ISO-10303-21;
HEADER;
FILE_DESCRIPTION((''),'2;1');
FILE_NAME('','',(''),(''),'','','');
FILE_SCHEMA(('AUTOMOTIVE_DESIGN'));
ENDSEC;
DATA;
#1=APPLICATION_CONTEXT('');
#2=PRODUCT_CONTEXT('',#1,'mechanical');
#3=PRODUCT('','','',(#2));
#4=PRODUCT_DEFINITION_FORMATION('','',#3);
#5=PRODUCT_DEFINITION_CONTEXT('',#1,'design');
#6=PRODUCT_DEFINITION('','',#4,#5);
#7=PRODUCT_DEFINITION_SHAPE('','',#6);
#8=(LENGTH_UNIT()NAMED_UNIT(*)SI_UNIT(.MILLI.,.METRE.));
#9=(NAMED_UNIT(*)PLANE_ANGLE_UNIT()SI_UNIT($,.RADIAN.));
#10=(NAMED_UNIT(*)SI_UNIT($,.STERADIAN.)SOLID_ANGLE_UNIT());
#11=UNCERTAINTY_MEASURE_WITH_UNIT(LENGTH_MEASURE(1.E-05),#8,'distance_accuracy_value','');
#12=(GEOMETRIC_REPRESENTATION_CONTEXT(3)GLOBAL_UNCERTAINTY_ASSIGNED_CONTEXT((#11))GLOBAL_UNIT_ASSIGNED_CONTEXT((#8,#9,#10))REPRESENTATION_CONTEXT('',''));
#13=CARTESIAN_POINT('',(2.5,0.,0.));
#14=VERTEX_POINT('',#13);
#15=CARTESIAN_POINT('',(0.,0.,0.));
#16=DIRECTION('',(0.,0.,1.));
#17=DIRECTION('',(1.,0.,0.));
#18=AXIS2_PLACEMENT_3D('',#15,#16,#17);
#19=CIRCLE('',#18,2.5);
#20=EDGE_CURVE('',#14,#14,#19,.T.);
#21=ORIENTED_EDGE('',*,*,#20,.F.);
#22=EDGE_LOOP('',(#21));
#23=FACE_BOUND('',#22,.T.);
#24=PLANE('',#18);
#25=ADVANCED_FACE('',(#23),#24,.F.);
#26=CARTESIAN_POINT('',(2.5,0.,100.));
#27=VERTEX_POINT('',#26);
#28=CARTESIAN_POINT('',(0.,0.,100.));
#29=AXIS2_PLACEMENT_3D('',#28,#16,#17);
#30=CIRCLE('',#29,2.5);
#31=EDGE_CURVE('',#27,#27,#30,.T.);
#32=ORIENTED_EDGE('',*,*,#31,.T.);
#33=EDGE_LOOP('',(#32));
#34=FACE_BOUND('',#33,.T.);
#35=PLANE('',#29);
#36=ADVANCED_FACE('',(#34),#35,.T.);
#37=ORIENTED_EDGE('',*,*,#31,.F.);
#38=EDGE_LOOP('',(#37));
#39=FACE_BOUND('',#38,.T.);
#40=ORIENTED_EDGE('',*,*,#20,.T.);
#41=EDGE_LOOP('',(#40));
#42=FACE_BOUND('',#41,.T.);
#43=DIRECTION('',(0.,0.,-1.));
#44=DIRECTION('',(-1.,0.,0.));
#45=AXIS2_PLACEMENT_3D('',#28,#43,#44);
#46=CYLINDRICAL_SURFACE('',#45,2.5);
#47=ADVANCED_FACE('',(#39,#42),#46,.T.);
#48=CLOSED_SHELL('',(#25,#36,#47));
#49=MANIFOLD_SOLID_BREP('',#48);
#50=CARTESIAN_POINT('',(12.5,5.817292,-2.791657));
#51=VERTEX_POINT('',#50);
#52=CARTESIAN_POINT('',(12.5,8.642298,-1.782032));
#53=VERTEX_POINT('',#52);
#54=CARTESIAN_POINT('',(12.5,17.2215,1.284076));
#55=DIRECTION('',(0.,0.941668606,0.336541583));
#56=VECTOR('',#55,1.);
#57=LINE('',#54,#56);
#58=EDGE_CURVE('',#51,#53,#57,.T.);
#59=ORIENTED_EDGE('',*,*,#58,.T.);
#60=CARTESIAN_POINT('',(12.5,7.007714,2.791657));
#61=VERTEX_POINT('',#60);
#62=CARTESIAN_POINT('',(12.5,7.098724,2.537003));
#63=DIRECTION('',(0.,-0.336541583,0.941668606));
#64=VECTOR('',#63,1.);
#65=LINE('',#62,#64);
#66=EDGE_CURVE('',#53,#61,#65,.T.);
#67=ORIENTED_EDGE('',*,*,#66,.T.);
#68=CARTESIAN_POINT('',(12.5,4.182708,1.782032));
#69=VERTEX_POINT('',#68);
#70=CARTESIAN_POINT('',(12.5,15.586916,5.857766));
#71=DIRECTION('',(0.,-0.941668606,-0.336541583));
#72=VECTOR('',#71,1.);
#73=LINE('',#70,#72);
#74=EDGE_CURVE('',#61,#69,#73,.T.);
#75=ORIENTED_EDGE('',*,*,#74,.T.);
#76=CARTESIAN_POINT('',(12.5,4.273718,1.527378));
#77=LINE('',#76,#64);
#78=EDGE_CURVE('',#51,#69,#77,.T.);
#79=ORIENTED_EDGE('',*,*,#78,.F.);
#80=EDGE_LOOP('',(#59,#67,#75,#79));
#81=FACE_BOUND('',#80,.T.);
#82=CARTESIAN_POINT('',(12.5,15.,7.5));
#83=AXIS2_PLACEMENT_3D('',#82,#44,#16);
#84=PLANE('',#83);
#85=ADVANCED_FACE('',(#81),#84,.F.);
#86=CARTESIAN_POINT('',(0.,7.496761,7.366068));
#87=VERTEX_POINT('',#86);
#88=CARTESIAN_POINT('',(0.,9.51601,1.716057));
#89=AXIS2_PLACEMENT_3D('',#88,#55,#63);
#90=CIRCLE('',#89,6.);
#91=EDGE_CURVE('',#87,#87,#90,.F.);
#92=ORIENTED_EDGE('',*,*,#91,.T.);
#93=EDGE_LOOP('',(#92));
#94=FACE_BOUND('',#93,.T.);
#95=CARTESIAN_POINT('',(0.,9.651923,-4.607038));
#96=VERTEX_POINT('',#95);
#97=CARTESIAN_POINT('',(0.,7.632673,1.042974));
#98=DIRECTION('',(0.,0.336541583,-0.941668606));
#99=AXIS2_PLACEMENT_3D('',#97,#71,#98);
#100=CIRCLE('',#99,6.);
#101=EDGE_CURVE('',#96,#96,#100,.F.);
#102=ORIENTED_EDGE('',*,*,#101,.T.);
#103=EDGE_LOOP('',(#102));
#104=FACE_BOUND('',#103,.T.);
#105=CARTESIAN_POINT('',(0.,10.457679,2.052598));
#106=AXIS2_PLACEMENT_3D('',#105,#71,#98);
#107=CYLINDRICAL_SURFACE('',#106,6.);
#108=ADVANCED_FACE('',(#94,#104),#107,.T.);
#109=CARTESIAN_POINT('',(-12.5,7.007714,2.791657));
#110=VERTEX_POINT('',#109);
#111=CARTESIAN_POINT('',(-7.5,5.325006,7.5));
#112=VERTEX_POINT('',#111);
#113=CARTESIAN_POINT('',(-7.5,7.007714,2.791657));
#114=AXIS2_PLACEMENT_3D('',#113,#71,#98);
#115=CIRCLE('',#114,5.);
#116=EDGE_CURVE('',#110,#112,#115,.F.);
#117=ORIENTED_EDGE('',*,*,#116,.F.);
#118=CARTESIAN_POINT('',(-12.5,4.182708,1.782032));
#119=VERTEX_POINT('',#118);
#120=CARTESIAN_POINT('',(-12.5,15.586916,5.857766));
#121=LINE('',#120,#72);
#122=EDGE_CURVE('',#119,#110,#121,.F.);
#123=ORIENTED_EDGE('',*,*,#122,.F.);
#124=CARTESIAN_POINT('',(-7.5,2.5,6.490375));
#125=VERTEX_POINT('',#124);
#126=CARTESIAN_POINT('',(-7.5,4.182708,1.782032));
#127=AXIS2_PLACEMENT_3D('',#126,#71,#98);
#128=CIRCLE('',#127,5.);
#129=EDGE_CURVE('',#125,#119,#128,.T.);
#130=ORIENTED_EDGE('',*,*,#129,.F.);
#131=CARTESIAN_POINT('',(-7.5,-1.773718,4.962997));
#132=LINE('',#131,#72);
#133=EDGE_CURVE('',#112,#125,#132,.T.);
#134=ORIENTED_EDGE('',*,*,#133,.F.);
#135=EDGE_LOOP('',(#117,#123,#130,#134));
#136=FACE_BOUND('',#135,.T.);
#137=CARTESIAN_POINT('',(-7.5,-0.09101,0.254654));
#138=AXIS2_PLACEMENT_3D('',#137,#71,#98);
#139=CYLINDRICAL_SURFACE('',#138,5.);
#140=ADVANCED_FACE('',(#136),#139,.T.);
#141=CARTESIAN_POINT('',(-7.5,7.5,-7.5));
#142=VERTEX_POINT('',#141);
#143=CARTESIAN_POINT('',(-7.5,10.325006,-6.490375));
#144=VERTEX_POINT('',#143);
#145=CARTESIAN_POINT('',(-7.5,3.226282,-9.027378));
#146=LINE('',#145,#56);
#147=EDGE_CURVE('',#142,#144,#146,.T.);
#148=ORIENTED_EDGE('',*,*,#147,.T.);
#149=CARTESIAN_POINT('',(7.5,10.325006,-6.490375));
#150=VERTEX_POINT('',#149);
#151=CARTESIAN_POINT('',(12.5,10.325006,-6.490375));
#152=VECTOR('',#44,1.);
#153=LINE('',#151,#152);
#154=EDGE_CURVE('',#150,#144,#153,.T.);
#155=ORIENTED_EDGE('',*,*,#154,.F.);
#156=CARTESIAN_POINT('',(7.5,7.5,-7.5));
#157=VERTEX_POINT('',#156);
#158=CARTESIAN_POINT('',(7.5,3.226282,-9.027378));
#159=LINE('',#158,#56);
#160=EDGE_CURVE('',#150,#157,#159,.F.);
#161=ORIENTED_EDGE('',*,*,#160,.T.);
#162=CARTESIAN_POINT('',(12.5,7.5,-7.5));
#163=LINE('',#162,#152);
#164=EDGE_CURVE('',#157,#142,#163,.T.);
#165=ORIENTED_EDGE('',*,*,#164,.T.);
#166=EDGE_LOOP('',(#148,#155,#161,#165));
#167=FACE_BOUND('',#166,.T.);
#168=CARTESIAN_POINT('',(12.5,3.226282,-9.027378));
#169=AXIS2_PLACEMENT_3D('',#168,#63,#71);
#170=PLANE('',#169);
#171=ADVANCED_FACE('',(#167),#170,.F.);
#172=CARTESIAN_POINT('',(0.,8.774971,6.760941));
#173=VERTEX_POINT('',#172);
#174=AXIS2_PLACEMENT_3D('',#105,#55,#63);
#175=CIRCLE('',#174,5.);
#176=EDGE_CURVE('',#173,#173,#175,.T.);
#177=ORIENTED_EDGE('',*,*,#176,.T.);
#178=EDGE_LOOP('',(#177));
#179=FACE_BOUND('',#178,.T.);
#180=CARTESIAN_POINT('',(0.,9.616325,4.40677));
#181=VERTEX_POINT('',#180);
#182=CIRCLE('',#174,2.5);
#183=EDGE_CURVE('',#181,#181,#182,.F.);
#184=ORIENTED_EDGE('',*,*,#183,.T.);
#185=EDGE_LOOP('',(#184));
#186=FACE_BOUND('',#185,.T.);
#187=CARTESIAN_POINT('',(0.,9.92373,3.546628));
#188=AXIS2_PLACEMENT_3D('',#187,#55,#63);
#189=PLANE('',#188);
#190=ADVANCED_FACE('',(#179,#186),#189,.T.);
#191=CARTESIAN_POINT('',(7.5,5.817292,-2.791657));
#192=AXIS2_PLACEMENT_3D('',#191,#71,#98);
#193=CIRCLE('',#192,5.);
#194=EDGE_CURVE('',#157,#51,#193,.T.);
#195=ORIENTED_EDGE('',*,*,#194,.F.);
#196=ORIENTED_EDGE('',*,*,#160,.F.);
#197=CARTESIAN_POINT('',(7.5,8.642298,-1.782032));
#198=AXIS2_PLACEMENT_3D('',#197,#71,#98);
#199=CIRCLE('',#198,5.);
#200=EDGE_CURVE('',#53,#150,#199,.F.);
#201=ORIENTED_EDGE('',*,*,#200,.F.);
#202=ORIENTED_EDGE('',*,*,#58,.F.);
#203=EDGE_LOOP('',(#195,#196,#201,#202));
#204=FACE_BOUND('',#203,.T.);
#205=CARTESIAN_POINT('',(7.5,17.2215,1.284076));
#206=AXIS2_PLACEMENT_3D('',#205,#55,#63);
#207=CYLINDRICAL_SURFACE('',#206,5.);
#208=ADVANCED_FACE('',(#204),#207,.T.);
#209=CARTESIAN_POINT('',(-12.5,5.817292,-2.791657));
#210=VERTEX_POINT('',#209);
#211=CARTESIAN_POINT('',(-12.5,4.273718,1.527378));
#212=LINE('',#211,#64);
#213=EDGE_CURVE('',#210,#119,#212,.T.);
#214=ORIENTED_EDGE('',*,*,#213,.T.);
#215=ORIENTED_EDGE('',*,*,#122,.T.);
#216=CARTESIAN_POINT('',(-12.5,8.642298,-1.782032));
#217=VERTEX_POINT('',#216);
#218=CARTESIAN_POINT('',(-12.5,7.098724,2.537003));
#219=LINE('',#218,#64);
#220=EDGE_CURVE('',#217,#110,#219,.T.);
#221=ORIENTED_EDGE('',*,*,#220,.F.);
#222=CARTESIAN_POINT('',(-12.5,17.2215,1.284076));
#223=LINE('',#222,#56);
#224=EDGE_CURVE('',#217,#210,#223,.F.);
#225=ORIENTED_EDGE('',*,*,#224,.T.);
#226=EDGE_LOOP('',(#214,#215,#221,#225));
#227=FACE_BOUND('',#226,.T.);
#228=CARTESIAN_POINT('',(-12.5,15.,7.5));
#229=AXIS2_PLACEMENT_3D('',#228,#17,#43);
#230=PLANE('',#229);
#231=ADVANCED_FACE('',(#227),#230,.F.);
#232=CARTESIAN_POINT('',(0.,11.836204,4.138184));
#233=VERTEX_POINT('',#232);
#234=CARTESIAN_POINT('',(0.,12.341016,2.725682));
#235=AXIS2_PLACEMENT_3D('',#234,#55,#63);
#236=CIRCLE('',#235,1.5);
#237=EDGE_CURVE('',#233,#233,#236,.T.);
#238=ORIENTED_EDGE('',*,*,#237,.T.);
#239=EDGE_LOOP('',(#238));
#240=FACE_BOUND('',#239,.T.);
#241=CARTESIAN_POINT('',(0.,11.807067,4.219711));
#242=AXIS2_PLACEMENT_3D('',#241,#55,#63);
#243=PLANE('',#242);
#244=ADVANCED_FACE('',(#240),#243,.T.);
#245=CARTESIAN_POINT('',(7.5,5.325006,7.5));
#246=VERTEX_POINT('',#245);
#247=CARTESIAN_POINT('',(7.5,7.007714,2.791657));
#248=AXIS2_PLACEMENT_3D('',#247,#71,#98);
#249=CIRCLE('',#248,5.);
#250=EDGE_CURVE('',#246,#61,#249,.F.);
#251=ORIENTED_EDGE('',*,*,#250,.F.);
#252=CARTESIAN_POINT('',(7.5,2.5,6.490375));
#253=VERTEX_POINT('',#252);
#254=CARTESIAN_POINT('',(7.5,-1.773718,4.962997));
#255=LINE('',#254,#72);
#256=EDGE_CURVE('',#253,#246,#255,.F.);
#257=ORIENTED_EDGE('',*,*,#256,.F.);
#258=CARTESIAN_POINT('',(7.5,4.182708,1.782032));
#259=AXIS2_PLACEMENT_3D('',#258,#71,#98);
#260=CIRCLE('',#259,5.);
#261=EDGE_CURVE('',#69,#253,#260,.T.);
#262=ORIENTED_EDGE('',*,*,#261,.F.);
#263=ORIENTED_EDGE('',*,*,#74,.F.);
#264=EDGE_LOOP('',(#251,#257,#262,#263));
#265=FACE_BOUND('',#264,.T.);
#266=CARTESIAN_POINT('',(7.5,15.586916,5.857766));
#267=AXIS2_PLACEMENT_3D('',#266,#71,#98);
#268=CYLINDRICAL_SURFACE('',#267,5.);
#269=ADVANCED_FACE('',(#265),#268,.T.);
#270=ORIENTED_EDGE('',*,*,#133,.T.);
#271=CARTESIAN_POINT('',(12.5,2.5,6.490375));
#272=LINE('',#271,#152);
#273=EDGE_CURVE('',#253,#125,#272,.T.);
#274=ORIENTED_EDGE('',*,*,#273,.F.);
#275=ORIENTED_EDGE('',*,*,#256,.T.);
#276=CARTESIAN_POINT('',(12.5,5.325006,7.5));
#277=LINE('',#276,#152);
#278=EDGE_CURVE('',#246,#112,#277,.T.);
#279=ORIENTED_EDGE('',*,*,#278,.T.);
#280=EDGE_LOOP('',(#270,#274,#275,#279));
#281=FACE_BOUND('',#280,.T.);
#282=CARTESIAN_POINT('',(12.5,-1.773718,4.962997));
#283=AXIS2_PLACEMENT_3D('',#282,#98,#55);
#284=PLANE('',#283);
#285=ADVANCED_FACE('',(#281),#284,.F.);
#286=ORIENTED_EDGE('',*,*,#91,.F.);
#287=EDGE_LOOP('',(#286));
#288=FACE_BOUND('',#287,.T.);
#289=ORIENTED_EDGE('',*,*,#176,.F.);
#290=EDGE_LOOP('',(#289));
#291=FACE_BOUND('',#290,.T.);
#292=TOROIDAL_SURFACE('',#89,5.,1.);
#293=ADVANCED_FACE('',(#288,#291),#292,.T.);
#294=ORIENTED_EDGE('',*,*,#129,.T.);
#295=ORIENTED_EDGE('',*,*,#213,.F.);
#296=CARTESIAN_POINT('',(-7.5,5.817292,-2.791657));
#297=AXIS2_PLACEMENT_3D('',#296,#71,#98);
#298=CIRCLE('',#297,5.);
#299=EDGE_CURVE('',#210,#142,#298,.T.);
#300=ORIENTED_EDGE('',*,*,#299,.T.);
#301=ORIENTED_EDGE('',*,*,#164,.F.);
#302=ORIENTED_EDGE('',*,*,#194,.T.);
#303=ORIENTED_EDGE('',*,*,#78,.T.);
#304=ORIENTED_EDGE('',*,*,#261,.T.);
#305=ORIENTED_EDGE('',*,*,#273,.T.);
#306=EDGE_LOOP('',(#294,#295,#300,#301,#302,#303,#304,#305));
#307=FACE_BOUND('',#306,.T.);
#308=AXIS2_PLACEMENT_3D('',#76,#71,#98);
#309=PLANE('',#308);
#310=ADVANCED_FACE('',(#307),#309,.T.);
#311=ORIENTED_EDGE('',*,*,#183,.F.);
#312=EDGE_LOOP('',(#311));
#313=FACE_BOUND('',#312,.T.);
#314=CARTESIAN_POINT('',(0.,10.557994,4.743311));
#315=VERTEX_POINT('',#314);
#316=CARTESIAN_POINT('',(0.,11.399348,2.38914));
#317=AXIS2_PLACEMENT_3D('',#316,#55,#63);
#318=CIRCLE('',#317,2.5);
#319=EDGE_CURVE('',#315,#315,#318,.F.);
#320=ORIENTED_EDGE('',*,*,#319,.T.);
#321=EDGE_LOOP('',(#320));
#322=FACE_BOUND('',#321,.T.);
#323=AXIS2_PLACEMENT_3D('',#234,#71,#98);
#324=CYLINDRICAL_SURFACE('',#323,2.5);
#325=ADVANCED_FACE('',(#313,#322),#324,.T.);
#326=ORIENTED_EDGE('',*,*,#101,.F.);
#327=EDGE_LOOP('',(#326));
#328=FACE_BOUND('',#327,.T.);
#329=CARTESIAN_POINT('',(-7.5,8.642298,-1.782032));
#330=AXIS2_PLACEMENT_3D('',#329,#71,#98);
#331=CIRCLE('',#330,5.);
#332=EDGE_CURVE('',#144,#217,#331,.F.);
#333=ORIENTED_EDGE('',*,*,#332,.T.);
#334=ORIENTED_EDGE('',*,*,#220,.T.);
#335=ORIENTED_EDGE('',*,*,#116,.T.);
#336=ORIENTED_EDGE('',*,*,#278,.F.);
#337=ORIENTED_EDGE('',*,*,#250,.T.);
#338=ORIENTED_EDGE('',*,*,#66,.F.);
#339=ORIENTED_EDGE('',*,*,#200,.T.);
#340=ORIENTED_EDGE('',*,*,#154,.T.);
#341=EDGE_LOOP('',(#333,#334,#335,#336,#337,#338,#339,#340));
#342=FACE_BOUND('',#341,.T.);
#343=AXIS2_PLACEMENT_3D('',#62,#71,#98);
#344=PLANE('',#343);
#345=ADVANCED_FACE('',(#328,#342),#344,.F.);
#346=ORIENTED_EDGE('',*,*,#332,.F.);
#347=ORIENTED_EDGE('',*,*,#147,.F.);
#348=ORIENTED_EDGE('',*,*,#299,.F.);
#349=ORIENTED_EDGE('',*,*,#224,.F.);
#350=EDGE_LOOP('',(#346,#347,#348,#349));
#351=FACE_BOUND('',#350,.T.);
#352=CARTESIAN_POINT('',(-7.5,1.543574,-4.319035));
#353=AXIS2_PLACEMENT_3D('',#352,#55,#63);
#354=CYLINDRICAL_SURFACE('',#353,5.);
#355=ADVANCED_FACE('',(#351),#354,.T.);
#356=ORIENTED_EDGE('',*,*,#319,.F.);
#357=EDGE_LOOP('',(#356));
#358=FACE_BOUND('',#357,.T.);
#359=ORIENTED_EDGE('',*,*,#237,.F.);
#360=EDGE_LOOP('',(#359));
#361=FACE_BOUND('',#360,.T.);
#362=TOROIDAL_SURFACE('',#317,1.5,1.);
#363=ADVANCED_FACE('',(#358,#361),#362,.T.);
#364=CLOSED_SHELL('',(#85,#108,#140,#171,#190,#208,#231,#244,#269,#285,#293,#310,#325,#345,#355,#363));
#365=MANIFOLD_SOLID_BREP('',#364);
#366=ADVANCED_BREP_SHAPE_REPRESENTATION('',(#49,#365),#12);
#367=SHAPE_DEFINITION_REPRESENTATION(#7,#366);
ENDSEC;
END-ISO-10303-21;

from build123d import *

# Parameters (mm, degrees)
SKETCH_1_R          = 2.5
EXTRUDE_1_DEPTH     = 100
SKETCH_2_W          = 25
SKETCH_2_H          = 15
EXTRUDE_2_DEPTH     = 15
CUT_EXTRUDE_1_DEPTH = 105.16333328
CUT_EXTRUDE_3_DEPTH = 104.593463815
SKETCH_1_2_R        = 2.5
EXTRUDE_3_DEPTH     = 20
SKETCH_5_R          = 6
EXTRUDE_4_DEPTH     = 3
SKETCH_5_3_R        = 2.5
EXTRUDE_5_DEPTH     = 5
FILLET_1_R          = 5
FILLET_2_R          = 1
FILLET_3_R          = 1


with BuildPart() as part:
    # 草图1 → 凸台-拉伸1 (new body)
    with BuildSketch(Plane.XY):
        Circle(SKETCH_1_R)
    extrude(amount=EXTRUDE_1_DEPTH)

    # 草图2 → 凸台-拉伸2 (add)
    with BuildSketch(Plane(origin=(0, 0, 0), x_dir=(1, 0, 0), z_dir=(0, 1, 0))):
        Rectangle(SKETCH_2_W, SKETCH_2_H)
    extrude(amount=EXTRUDE_2_DEPTH)

    # 草图4 → 切除-拉伸1 (cut, through all)
    with BuildSketch(Plane.ZY.offset(12.5)):
        Polygon((-7.5, 7.5), (-6.490375252, 10.325005817), (7.5, 5.325005817), (7.5, 15), (-7.5, 15), align=None)
        Polygon((7.5, 5.325005817), (6.490375252, 2.5), (7.5, 2.13917167), align=None)
    extrude(amount=-CUT_EXTRUDE_1_DEPTH, mode=Mode.SUBTRACT)

    # 草图4<3> → 切除-拉伸3 (cut, through all)
    with BuildSketch(Plane.ZY.offset(12.5)):
        Polygon((6.490375252, 2.5), (-7.5, 7.5), (-7.5, 0), (7.5, 0), (7.5, 2.13917167), align=None)
    extrude(amount=-CUT_EXTRUDE_3_DEPTH, mode=Mode.SUBTRACT)


with BuildPart() as cut_extrude_3_piece_1:
    # of the separate pieces the step leaves, piece 1, a body of its own (cut_extrude_3_pieces)
    add(part.part.solids().sort_by_distance((2.5, 0, 0))[0])

    # 草图1<2> → 凸台-拉伸3 (add)
    with BuildSketch(Plane.XY):
        Circle(SKETCH_1_2_R)
    extrude(amount=EXTRUDE_3_DEPTH)


with BuildPart() as cut_extrude_3_piece_2:
    # of the separate pieces the step leaves, piece 2, a body of its own (cut_extrude_3_pieces)
    add(part.part.solids().sort_by_distance((-12.5, 7.5, -7.5))[0])

    # 草图5 → 凸台-拉伸4 (add)
    with BuildSketch(Plane(origin=(0, 7.098724219, 2.537002793), x_dir=(1, 0, 0), z_dir=(0, 0.9416686058037751, 0.33654158263663997))):
        with Locations((0, 1.586576413)):
            Circle(SKETCH_5_R)
    extrude(amount=EXTRUDE_4_DEPTH)

    # 草图5<3> → 凸台-拉伸5 (add)
    with BuildSketch(Plane(origin=(0, 7.098724219, 2.537002793), x_dir=(1, 0, 0), z_dir=(0, 0.9416686058037751, 0.33654158263663997))):
        with Locations((0, 1.586576413)):
            Circle(SKETCH_5_3_R)
    extrude(amount=EXTRUDE_5_DEPTH)

    # 圆角1
    fillet_1_edges = [cut_extrude_3_piece_2.edges().sort_by_distance(p)[0] for p in [
        (12.5, 8.912502909, -6.995187626),
        (12.5, 3.912502909, 6.995187626),
        (-12.5, 8.912502909, -6.995187626),
        (-12.5, 3.912502909, 6.995187626),
    ]]
    fillet(fillet_1_edges, radius=FILLET_1_R)

    # 圆角2
    fillet_2_edges = [cut_extrude_3_piece_2.edges().sort_by_distance(p)[0] for p in [
        (-6, 10.457678974, 2.052598342),
    ]]
    fillet(fillet_2_edges, radius=FILLET_2_R)

    # 圆角3
    fillet_3_edges = [cut_extrude_3_piece_2.edges().sort_by_distance(p)[0] for p in [
        (-2.5, 12.341016185, 2.725681508),
    ]]
    fillet(fillet_3_edges, radius=FILLET_3_R)


solid = Compound([cut_extrude_3_piece_1.part, cut_extrude_3_piece_2.part])
